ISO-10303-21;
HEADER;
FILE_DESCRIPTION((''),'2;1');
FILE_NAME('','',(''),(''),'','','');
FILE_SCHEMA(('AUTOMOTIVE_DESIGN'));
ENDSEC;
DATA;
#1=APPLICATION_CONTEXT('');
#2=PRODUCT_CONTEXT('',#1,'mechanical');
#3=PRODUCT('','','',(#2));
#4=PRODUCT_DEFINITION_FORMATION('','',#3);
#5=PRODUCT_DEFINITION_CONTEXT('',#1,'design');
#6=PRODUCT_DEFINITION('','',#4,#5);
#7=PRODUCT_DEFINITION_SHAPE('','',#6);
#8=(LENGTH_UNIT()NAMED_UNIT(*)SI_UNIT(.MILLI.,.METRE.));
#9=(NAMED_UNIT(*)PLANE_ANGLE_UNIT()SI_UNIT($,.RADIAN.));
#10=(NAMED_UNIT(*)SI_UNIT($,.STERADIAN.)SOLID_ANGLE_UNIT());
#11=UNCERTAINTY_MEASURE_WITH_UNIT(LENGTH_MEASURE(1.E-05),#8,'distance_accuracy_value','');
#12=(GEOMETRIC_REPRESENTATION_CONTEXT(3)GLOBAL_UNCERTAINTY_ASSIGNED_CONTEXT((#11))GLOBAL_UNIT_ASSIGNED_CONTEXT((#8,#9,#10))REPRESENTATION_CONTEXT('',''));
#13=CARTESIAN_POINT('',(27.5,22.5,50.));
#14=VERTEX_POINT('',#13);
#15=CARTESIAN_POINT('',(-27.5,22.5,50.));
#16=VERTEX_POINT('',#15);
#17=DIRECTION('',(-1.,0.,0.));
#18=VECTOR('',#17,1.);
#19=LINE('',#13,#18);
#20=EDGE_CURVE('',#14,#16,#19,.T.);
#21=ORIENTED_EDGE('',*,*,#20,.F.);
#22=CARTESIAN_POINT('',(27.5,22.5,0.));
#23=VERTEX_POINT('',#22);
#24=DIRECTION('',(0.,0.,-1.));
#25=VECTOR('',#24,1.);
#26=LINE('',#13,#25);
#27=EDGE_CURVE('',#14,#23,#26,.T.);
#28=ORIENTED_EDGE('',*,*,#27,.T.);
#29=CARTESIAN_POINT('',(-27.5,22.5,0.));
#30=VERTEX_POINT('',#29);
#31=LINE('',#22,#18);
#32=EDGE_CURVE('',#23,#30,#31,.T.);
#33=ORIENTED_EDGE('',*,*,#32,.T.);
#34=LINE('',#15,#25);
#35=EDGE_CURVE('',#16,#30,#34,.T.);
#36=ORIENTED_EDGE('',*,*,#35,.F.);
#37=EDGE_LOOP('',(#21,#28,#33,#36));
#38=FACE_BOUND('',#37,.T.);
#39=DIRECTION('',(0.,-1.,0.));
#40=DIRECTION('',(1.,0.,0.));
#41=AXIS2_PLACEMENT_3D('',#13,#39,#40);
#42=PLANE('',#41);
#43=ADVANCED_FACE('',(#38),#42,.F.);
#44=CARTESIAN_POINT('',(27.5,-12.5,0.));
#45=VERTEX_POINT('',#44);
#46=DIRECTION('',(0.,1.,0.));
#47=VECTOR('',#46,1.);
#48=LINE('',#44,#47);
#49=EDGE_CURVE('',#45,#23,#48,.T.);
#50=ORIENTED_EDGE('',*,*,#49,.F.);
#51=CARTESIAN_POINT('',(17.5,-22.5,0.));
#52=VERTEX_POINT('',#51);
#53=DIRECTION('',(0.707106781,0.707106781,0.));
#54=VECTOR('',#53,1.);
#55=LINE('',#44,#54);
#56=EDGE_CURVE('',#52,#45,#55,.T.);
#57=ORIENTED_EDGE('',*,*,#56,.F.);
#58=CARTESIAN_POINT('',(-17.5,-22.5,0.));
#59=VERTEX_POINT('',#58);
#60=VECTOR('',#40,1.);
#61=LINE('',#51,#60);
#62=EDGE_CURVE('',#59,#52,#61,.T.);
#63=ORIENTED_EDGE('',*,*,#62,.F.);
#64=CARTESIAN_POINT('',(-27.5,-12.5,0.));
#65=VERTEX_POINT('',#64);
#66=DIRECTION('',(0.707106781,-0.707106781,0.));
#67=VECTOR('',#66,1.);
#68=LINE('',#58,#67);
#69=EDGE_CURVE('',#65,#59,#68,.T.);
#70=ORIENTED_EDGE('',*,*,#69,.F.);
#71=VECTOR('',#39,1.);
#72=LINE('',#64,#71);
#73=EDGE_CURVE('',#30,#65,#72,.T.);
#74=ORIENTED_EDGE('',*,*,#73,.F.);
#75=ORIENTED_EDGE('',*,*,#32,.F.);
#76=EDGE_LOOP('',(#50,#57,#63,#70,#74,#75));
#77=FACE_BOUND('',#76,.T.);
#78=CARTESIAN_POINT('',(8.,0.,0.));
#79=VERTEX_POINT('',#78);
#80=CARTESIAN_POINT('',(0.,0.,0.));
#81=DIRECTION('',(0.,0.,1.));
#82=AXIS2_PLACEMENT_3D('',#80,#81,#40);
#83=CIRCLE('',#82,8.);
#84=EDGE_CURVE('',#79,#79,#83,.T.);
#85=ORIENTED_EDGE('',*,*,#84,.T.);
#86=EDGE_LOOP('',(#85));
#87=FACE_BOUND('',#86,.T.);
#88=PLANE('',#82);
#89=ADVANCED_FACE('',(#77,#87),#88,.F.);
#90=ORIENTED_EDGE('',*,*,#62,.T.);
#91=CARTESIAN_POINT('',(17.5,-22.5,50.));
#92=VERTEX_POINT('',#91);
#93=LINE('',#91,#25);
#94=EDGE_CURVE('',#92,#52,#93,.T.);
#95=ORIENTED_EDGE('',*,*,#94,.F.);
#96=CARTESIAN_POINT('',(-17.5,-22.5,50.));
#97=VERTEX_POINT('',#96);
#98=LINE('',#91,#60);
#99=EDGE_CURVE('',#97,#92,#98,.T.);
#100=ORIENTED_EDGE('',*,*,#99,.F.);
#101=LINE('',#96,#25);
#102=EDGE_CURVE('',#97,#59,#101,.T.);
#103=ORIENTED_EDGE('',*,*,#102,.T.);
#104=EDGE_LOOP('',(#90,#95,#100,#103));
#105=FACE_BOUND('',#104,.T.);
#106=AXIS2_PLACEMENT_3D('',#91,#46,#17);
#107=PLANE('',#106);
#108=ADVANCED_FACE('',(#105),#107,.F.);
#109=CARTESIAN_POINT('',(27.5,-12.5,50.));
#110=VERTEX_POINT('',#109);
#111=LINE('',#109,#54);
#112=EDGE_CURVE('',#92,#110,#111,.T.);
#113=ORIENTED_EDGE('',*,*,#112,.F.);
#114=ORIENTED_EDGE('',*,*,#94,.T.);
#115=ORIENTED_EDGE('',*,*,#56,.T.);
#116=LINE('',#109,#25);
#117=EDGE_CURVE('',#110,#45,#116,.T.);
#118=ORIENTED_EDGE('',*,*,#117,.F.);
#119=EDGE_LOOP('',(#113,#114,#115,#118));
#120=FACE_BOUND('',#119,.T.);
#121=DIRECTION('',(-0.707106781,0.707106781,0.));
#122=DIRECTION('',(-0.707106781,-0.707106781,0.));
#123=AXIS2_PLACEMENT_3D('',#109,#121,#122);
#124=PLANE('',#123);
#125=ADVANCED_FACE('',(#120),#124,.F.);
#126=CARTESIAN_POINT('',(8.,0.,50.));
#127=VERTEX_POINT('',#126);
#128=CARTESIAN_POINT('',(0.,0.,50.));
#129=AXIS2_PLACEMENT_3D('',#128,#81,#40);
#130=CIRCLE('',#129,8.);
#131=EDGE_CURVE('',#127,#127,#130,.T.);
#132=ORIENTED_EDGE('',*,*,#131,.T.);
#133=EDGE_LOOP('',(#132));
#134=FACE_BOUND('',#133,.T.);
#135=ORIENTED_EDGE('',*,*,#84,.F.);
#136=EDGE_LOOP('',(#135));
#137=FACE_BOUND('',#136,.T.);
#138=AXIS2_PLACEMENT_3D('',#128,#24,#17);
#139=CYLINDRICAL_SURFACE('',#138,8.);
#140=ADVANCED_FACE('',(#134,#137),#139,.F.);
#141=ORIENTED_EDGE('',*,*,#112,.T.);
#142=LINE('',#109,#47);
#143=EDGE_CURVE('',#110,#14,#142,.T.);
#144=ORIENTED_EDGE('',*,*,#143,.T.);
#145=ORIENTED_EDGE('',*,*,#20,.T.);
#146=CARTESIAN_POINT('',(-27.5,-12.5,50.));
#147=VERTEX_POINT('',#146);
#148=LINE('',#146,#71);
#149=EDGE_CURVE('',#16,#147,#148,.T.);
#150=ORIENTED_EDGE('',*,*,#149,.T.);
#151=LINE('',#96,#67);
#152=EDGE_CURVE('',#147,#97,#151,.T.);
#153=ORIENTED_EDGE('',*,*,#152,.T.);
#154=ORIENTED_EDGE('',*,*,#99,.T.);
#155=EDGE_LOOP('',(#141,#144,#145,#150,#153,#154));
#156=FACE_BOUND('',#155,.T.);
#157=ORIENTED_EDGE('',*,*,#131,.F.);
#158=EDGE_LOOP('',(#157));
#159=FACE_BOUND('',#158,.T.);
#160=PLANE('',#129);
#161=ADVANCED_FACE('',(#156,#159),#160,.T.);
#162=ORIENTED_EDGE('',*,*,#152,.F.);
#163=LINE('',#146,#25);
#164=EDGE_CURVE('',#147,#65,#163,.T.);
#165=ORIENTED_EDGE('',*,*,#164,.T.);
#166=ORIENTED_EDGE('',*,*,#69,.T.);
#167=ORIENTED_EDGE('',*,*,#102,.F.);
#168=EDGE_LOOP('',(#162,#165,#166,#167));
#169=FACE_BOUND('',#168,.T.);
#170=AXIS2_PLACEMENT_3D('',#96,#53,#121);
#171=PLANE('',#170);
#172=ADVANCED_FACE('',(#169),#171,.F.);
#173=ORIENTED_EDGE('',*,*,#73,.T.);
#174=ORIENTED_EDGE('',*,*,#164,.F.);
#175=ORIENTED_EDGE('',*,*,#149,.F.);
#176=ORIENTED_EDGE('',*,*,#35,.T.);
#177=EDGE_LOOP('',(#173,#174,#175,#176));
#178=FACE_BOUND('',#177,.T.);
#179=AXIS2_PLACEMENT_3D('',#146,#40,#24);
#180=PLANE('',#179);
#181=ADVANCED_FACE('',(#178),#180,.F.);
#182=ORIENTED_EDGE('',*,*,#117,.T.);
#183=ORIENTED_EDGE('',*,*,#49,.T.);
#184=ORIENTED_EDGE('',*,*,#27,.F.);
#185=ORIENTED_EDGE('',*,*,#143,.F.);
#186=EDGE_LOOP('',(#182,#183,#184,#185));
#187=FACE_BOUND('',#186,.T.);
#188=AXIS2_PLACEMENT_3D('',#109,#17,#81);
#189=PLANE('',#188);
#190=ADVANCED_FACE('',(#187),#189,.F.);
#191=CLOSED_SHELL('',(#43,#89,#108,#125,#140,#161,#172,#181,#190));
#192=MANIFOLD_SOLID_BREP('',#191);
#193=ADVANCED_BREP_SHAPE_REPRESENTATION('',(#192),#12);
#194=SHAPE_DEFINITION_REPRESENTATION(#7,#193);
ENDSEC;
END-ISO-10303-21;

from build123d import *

# Parameters (mm, degrees)
CROQUIS1_R              = 8
SALIENTE_EXTRUIR1_DEPTH = 50


with BuildPart() as part:
    # Croquis1 → Saliente-Extruir1 (new body)
    with BuildSketch(Plane.XY):
        Polygon((-17.5, -22.5), (-27.5, -12.5), (-27.5, 22.5), (27.5, 22.5), (27.5, -12.5), (17.5, -22.5), align=None)
        Circle(CROQUIS1_R, mode=Mode.SUBTRACT)
    extrude(amount=SALIENTE_EXTRUIR1_DEPTH)


solid = part.part
